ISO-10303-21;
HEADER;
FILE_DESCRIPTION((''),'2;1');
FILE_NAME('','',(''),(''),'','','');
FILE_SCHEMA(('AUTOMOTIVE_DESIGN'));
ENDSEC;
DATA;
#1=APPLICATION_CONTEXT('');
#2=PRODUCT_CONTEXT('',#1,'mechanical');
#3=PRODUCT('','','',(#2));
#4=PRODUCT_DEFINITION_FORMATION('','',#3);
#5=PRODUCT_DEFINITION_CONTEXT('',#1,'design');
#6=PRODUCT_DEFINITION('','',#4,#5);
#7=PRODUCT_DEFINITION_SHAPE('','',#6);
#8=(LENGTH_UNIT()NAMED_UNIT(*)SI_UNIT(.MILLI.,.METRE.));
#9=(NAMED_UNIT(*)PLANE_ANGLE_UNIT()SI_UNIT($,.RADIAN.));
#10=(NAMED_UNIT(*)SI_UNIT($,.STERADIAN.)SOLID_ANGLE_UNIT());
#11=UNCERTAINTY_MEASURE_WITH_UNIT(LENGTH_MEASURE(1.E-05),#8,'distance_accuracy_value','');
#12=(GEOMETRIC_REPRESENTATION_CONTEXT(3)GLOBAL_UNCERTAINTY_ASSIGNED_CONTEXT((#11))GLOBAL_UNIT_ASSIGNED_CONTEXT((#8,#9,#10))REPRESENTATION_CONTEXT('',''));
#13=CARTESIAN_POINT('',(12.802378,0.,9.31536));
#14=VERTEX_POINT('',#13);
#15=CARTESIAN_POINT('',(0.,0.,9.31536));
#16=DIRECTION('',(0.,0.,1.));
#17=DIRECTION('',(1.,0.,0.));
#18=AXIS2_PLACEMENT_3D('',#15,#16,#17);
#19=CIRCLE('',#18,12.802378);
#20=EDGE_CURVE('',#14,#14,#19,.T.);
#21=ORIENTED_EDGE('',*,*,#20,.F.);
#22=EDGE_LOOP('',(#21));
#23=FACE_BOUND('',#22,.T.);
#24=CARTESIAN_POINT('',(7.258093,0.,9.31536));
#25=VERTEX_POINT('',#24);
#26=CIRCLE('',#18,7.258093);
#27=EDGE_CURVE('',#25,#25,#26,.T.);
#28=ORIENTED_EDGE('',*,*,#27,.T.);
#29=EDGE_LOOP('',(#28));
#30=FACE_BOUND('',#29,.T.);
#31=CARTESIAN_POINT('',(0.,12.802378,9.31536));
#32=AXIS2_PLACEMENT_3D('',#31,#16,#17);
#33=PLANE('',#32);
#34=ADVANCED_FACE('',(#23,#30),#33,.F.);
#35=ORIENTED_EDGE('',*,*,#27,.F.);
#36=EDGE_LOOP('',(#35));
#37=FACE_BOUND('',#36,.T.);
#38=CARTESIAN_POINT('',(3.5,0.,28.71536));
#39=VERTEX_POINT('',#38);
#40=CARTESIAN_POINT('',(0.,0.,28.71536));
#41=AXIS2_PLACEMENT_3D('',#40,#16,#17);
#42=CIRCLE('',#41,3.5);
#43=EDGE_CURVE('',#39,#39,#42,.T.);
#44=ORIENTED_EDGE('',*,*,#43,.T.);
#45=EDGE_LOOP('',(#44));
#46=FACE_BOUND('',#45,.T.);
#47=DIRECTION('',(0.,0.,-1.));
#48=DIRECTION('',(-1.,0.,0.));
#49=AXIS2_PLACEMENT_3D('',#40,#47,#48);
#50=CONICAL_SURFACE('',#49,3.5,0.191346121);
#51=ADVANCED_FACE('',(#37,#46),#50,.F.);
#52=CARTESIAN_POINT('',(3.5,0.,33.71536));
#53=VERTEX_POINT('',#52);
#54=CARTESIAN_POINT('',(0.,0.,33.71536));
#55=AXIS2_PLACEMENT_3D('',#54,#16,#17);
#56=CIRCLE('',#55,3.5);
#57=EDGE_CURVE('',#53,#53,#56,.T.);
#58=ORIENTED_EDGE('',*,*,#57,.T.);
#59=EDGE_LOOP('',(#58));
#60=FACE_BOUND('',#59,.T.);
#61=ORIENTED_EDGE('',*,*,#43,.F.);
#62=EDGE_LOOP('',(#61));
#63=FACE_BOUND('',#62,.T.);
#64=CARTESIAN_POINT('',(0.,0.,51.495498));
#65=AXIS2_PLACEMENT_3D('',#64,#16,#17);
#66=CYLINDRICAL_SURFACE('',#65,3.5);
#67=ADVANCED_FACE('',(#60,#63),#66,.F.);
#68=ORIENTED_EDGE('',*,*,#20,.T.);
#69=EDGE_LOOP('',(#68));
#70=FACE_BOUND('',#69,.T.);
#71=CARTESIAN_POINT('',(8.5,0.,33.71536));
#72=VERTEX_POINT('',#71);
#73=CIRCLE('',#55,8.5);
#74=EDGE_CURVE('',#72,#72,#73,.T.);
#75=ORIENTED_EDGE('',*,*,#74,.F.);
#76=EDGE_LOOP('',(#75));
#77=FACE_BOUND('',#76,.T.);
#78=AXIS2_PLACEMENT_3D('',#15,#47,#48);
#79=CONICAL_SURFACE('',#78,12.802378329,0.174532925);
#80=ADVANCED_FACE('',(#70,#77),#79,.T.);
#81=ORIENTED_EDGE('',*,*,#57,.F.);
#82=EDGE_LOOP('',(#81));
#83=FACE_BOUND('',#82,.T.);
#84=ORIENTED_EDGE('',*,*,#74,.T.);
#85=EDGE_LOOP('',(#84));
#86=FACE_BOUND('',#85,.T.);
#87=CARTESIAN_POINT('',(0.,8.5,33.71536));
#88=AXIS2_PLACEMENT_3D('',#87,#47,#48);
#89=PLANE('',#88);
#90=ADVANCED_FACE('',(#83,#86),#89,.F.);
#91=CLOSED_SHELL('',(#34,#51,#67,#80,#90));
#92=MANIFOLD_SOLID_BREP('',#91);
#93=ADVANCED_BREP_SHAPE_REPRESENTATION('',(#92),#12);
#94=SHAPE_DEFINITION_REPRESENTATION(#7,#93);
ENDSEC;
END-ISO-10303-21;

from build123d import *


with BuildPart() as part:
    # Sketch1 → Revolve1 (revolve)
    with BuildSketch(Plane(origin=(0, 0, 0), x_dir=(0, 0, -1), z_dir=(1, 0, 0)), mode=Mode.PRIVATE) as revolve1_sk:
        Polygon((-33.715360463, 3.5), (-28.715360463, 3.5), (-9.315360463, 7.258092539), (-9.315360463, 12.802378329), (-33.715360463, 8.5), align=None)
    revolve(revolve1_sk.sketch.rotate(Axis((0, 0, 51.495497957), (0, 0, -1)), 90), axis=Axis((0, 0, 51.495497957), (0, 0, -1)))


solid = part.part
